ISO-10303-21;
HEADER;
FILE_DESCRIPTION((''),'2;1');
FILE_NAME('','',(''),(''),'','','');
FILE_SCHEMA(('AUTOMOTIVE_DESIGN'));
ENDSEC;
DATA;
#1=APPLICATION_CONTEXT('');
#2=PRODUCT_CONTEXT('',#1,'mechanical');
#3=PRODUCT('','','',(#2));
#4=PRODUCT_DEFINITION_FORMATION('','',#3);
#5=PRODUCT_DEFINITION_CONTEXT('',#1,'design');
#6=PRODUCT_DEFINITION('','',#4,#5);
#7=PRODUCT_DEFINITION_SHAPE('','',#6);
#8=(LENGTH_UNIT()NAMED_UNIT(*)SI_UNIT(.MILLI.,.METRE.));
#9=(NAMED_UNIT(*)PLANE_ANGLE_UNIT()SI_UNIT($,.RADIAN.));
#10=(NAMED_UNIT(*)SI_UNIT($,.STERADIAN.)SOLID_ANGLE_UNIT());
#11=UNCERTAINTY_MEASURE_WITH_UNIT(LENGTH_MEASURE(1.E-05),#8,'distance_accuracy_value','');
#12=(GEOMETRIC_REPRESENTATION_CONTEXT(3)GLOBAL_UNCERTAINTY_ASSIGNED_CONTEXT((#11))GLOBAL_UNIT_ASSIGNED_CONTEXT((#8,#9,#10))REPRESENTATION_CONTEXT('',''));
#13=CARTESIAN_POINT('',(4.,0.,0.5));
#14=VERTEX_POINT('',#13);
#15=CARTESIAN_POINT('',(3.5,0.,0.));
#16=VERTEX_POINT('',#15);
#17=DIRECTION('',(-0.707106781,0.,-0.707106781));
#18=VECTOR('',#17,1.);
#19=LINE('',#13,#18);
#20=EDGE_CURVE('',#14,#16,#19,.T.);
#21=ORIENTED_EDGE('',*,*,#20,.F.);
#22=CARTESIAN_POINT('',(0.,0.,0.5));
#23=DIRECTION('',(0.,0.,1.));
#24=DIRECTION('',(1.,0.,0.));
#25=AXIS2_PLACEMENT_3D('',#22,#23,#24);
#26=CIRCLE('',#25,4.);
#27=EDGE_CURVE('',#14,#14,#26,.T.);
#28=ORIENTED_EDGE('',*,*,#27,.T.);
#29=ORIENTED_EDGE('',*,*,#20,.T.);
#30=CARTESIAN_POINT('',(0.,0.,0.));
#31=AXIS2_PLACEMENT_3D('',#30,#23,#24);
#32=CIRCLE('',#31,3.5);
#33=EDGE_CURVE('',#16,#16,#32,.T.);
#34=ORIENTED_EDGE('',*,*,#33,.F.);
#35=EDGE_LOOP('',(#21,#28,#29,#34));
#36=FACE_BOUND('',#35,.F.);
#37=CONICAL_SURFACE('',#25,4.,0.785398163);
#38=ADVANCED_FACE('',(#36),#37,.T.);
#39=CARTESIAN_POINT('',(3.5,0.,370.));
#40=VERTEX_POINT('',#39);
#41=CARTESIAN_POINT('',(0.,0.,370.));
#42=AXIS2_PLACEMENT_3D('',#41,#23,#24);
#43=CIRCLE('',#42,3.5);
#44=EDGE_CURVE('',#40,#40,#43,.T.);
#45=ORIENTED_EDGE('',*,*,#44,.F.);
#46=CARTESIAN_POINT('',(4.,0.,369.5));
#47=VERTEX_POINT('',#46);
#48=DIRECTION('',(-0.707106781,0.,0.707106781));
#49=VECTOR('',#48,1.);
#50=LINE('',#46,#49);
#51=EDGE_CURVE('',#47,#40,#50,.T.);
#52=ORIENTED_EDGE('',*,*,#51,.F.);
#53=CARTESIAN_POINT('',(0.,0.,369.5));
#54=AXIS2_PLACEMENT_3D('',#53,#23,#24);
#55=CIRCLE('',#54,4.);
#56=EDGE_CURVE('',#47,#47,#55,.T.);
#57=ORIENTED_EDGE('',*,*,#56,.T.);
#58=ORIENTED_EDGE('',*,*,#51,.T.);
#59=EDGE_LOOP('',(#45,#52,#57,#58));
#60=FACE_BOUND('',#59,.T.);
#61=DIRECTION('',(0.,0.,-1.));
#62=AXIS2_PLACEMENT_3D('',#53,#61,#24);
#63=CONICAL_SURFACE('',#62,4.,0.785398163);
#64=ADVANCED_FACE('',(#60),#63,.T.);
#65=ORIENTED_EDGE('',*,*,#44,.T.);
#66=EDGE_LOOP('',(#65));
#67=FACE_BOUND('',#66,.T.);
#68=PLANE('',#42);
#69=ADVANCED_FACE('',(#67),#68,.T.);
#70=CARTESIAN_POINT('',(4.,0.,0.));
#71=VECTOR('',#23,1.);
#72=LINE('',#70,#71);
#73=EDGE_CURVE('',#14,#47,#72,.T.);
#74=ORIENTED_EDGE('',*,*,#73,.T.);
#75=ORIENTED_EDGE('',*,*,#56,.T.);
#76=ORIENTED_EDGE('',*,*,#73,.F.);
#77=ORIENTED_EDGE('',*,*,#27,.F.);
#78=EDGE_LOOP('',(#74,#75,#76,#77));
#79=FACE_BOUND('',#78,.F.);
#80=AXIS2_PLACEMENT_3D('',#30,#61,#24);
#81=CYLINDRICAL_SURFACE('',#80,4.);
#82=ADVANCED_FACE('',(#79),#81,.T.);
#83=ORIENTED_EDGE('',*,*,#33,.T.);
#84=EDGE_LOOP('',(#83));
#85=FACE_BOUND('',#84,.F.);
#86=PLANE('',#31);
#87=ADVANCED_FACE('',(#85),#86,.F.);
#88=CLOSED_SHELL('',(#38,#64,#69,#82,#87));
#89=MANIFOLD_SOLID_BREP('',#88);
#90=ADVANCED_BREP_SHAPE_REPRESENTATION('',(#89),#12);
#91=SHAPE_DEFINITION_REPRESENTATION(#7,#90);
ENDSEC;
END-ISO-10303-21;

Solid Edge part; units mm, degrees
sketch "Sketch1" plane through (0, 0, 0) normal (0, 0, 1) x (1, 0, 0)
  circle A0 centre (0, 0) radius 4
  dimension "D1" = 8
extrude "Protrusion1" add sketch "Sketch1" along normal blind 370
chamfer "Chamfer_1" distance 0.5 angle 45 2 edges at (-4, 0, 0) (-4, 0, 370)
cosmetic_thread "Thread1" size "Tr 8 x 2"
properties material "Stainless steel"
